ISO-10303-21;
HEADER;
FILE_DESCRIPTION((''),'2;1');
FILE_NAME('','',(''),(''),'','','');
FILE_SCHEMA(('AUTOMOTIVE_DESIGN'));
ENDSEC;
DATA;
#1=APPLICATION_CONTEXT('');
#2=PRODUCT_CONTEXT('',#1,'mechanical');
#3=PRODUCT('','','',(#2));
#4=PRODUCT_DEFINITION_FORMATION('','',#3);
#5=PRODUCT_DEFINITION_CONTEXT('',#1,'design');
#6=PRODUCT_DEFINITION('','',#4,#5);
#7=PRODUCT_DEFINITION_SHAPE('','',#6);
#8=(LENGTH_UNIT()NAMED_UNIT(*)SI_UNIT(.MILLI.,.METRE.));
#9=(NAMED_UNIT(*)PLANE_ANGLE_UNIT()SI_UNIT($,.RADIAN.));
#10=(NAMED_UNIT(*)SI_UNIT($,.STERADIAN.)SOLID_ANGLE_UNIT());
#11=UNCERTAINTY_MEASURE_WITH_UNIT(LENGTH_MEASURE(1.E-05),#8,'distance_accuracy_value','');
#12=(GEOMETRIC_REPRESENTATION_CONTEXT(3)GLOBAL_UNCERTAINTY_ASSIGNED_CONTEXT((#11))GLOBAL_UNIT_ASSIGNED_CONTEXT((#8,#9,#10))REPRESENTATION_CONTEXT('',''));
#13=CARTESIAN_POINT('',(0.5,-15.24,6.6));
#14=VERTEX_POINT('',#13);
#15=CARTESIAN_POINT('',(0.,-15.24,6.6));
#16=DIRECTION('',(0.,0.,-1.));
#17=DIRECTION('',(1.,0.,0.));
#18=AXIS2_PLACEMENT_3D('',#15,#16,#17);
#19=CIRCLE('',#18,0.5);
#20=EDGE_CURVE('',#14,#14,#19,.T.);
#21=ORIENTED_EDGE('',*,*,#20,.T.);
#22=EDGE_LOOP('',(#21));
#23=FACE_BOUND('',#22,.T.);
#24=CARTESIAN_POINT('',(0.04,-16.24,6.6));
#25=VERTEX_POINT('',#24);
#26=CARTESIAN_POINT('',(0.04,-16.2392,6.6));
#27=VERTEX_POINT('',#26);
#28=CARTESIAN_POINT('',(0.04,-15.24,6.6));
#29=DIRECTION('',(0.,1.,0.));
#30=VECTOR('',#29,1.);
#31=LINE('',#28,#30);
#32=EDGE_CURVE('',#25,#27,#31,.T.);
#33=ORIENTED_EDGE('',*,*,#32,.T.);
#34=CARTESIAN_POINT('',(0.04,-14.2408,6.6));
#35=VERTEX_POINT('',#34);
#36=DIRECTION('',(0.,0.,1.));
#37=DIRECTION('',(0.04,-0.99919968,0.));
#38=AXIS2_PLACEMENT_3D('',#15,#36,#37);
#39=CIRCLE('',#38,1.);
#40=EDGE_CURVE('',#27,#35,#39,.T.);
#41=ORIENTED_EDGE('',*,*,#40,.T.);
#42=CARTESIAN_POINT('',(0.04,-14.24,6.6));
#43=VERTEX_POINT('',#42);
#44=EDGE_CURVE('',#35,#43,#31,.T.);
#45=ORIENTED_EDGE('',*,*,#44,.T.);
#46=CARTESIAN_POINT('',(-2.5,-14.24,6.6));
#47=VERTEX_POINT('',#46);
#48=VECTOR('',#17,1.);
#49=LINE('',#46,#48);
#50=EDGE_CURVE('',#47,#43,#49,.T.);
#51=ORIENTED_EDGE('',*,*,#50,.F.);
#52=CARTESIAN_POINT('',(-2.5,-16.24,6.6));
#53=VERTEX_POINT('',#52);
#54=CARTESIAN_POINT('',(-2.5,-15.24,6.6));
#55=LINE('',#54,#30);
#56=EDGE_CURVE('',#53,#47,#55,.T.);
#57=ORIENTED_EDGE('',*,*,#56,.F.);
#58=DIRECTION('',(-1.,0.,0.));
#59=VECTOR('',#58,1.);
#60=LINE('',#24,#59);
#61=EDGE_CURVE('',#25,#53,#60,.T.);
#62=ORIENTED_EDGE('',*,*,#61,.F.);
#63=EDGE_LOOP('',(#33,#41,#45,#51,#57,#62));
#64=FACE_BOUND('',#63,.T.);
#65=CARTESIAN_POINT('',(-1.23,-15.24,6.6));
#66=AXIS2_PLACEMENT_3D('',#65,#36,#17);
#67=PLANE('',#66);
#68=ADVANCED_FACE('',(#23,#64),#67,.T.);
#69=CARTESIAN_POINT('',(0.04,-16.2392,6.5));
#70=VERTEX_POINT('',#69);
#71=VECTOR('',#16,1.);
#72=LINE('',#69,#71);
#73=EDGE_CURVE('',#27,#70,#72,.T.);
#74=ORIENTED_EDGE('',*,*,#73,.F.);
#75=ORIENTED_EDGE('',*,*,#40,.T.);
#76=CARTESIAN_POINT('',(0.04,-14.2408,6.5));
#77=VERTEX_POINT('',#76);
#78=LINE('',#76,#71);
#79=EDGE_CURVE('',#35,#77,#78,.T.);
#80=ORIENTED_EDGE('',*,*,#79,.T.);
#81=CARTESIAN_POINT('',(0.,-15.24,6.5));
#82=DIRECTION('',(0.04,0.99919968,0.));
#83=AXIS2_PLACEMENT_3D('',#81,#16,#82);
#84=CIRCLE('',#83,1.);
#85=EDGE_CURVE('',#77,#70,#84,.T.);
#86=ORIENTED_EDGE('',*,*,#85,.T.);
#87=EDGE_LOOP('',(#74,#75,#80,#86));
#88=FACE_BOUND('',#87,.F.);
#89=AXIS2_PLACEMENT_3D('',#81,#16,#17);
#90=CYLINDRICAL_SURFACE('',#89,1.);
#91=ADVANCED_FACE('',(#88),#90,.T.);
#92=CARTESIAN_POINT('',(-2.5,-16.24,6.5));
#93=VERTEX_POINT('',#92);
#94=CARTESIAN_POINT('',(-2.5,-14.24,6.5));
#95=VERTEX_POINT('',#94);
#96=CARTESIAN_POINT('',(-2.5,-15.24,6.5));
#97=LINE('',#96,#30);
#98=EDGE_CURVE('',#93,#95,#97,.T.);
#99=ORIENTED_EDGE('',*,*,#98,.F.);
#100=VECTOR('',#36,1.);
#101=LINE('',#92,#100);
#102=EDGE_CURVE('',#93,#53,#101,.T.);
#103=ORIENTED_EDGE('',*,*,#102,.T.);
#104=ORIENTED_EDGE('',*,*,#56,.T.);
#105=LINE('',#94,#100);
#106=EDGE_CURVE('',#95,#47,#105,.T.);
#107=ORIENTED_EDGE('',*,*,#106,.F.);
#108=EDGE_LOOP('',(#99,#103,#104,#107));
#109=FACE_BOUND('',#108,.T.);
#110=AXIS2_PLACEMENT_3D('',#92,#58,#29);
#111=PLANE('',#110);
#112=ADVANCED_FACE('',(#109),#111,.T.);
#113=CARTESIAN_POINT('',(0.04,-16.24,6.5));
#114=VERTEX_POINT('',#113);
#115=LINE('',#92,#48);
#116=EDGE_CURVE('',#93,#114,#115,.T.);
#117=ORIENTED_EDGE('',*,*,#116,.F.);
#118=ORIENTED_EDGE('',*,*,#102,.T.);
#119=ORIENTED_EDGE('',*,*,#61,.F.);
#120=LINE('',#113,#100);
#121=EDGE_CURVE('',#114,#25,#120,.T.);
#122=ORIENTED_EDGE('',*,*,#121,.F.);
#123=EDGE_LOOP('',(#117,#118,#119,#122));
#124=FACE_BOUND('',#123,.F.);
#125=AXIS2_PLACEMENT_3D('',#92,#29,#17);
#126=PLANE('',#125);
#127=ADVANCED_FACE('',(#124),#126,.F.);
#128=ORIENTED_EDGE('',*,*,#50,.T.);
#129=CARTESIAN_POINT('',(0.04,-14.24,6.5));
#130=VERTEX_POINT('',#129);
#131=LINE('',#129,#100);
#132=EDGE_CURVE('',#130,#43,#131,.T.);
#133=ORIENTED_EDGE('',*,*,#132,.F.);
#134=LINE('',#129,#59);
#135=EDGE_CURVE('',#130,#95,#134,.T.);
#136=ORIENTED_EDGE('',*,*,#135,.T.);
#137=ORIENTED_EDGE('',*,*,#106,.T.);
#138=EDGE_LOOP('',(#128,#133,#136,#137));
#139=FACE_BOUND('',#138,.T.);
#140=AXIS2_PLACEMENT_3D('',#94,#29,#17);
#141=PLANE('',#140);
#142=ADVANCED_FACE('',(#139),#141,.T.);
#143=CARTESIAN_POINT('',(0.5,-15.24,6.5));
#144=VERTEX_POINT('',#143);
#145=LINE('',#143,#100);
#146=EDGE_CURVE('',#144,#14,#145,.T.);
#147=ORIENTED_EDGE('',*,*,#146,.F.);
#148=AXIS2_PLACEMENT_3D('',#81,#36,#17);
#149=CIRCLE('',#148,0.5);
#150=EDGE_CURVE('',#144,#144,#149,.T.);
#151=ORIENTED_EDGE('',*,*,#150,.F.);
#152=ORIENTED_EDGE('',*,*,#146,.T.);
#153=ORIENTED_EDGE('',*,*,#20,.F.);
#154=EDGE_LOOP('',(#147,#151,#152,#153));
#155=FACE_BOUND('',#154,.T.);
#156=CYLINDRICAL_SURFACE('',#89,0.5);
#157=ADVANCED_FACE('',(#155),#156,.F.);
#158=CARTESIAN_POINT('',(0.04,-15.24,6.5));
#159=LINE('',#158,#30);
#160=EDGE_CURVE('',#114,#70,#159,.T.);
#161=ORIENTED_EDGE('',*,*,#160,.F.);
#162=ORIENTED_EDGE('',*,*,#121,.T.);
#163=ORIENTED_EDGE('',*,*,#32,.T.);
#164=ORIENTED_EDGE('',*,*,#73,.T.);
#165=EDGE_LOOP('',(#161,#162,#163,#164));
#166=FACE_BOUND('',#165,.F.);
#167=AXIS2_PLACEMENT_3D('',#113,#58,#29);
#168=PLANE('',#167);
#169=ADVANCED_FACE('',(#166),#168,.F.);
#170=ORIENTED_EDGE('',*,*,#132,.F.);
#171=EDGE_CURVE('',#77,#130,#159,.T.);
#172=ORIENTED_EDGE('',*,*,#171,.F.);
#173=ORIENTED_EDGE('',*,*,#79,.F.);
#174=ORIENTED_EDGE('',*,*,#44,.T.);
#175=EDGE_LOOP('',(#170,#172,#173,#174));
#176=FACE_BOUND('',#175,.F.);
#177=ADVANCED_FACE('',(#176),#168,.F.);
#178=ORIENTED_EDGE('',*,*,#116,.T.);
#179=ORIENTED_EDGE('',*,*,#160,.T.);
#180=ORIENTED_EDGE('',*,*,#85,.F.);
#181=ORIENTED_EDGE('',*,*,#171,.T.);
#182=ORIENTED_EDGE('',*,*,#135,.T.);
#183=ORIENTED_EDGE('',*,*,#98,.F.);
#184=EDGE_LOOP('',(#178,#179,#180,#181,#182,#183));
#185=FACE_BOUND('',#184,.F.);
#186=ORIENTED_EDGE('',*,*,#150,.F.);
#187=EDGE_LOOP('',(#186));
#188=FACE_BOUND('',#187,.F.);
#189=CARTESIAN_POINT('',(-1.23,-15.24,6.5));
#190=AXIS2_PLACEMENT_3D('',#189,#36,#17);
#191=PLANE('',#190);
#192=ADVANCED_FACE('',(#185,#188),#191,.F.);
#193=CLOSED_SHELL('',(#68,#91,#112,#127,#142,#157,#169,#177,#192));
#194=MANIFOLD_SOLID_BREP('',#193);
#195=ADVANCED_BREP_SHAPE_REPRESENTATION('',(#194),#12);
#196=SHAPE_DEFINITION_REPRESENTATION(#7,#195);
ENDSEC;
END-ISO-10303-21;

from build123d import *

# Parameters (mm, degrees)
CYLINDER020_R     = 0.5
CYLINDER020_DEPTH = 0.1
BOX009_W          = 2.54
BOX009_H          = 2
BOX009_DEPTH      = 0.1
CYLINDER019_R     = 0.5
CYLINDER019_DEPTH = 0.1
CYLINDER018_R     = 1
CYLINDER018_DEPTH = 0.1


with BuildPart() as cylinder020:
    # Cylinder020 → Cylinder020 (new body)
    with BuildSketch(Plane.XY.offset(1)):
        Circle(CYLINDER020_R)
    extrude(amount=CYLINDER020_DEPTH)


with BuildPart() as cut014:
    # Box009 → Box009 (new body)
    with BuildSketch(Plane(origin=(-2.5, -1, 1), x_dir=(1, 0, 0), z_dir=(0, 0, 1))):
        with Locations((1.27, 1)):
            Rectangle(BOX009_W, BOX009_H)
    extrude(amount=BOX009_DEPTH)

    # Cut014: cut Cylinder020
    add(cylinder020.part, mode=Mode.SUBTRACT)


with BuildPart() as cylinder019:
    # Cylinder019 → Cylinder019 (new body)
    with BuildSketch(Plane.XY.offset(1)):
        Circle(CYLINDER019_R)
    extrude(amount=CYLINDER019_DEPTH)


with BuildPart() as fusion006:
    # Cylinder018 → Cylinder018 (new body)
    with BuildSketch(Plane.XY.offset(1)):
        Circle(CYLINDER018_R)
    extrude(amount=CYLINDER018_DEPTH)

    # Cut013: cut Cylinder019
    add(cylinder019.part, mode=Mode.SUBTRACT)

    # Fusion006: union Cut014
    add(cut014.part)


with BuildPart() as fusion006_1:
    # Fusion006 placement: moved
    add(fusion006.part.moved(Location((0, -15.24, 5.5))))


solid = fusion006_1.part
